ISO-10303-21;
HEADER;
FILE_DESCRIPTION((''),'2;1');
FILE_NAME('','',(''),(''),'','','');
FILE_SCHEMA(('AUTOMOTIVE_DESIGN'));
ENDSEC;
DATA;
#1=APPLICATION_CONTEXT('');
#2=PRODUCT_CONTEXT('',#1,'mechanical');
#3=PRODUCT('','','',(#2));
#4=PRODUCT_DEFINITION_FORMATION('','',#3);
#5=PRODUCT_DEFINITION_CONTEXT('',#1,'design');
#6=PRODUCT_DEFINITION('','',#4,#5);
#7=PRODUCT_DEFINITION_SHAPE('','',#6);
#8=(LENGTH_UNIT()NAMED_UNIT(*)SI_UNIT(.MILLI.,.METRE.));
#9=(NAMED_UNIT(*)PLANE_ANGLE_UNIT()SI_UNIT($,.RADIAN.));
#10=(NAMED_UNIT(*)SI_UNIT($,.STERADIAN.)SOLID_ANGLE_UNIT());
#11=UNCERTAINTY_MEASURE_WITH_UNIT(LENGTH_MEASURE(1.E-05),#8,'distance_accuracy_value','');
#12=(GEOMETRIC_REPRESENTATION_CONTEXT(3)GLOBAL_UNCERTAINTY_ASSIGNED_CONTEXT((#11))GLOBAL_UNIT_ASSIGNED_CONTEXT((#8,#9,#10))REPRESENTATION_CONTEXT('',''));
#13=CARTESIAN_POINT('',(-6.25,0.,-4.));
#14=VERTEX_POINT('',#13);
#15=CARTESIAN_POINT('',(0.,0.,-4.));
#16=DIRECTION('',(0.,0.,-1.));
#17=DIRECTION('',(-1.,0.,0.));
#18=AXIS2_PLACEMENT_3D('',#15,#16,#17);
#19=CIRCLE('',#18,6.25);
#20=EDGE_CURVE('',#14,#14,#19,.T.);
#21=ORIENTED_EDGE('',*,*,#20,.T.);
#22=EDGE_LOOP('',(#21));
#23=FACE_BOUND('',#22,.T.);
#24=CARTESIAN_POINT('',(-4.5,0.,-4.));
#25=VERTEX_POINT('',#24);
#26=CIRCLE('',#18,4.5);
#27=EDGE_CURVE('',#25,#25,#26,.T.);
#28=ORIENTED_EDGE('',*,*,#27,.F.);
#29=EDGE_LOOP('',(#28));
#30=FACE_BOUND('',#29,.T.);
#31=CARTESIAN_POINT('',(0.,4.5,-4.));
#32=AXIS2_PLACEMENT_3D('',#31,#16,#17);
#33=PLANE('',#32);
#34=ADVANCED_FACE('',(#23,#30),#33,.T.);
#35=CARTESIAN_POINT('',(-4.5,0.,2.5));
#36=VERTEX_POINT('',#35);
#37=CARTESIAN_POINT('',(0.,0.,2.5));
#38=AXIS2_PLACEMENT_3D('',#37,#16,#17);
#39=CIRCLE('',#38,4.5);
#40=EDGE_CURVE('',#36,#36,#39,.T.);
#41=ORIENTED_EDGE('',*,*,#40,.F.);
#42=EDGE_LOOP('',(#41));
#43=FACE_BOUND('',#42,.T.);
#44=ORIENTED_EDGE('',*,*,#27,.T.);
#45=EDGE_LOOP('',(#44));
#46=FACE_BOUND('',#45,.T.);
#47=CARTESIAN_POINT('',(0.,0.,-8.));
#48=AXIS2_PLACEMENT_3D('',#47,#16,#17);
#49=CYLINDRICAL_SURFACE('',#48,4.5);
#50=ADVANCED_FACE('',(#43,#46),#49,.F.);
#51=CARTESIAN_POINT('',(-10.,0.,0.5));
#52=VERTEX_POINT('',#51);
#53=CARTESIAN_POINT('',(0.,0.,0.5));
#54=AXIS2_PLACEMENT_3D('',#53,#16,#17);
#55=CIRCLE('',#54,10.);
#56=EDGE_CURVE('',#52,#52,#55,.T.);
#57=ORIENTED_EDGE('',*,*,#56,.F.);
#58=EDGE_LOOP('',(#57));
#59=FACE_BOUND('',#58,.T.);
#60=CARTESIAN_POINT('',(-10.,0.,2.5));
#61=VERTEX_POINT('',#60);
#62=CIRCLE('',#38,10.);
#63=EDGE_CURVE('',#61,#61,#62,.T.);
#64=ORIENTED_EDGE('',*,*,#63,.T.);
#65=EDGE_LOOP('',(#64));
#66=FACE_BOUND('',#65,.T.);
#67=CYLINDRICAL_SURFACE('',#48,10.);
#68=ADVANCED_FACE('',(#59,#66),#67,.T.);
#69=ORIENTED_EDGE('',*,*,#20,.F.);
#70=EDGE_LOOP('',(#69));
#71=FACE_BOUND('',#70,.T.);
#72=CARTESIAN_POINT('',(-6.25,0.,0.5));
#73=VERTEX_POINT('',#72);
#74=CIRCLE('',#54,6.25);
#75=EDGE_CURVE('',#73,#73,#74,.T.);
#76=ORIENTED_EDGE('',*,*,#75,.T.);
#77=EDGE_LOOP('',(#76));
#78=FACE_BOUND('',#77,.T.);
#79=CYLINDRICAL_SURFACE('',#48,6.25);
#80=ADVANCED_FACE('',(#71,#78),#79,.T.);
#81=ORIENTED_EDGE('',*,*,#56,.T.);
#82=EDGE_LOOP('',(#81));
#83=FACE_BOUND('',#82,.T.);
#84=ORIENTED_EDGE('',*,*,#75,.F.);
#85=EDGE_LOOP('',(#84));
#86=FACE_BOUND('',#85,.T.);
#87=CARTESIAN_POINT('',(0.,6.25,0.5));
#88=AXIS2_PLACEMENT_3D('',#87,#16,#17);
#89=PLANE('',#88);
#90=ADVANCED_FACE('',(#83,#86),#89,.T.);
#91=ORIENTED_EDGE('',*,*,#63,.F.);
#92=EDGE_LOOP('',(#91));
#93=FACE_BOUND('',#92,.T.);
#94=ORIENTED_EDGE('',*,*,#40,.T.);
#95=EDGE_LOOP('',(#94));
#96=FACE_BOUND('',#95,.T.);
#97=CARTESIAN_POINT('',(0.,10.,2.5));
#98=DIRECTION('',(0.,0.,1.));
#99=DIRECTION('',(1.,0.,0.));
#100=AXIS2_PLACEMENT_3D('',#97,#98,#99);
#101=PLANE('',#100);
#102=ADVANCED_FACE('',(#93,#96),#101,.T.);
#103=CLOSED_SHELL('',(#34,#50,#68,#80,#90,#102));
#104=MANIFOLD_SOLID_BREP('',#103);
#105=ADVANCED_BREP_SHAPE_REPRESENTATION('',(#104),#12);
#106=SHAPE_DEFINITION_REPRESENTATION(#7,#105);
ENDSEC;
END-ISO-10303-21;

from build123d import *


with BuildPart() as part:
    # Эскиз1 → Повернуть1 (revolve)
    with BuildSketch(Plane(origin=(0, 0, 0), x_dir=(0, 0, -1), z_dir=(1, 0, 0))):
        Polygon((4, 4.5), (4, 6.25), (-0.5, 6.25), (-0.5, 10), (-2.5, 10), (-2.5, 4.5), align=None)
    revolve(axis=Axis((0, 0, -8), (0, 0, 1)))


solid = part.part
